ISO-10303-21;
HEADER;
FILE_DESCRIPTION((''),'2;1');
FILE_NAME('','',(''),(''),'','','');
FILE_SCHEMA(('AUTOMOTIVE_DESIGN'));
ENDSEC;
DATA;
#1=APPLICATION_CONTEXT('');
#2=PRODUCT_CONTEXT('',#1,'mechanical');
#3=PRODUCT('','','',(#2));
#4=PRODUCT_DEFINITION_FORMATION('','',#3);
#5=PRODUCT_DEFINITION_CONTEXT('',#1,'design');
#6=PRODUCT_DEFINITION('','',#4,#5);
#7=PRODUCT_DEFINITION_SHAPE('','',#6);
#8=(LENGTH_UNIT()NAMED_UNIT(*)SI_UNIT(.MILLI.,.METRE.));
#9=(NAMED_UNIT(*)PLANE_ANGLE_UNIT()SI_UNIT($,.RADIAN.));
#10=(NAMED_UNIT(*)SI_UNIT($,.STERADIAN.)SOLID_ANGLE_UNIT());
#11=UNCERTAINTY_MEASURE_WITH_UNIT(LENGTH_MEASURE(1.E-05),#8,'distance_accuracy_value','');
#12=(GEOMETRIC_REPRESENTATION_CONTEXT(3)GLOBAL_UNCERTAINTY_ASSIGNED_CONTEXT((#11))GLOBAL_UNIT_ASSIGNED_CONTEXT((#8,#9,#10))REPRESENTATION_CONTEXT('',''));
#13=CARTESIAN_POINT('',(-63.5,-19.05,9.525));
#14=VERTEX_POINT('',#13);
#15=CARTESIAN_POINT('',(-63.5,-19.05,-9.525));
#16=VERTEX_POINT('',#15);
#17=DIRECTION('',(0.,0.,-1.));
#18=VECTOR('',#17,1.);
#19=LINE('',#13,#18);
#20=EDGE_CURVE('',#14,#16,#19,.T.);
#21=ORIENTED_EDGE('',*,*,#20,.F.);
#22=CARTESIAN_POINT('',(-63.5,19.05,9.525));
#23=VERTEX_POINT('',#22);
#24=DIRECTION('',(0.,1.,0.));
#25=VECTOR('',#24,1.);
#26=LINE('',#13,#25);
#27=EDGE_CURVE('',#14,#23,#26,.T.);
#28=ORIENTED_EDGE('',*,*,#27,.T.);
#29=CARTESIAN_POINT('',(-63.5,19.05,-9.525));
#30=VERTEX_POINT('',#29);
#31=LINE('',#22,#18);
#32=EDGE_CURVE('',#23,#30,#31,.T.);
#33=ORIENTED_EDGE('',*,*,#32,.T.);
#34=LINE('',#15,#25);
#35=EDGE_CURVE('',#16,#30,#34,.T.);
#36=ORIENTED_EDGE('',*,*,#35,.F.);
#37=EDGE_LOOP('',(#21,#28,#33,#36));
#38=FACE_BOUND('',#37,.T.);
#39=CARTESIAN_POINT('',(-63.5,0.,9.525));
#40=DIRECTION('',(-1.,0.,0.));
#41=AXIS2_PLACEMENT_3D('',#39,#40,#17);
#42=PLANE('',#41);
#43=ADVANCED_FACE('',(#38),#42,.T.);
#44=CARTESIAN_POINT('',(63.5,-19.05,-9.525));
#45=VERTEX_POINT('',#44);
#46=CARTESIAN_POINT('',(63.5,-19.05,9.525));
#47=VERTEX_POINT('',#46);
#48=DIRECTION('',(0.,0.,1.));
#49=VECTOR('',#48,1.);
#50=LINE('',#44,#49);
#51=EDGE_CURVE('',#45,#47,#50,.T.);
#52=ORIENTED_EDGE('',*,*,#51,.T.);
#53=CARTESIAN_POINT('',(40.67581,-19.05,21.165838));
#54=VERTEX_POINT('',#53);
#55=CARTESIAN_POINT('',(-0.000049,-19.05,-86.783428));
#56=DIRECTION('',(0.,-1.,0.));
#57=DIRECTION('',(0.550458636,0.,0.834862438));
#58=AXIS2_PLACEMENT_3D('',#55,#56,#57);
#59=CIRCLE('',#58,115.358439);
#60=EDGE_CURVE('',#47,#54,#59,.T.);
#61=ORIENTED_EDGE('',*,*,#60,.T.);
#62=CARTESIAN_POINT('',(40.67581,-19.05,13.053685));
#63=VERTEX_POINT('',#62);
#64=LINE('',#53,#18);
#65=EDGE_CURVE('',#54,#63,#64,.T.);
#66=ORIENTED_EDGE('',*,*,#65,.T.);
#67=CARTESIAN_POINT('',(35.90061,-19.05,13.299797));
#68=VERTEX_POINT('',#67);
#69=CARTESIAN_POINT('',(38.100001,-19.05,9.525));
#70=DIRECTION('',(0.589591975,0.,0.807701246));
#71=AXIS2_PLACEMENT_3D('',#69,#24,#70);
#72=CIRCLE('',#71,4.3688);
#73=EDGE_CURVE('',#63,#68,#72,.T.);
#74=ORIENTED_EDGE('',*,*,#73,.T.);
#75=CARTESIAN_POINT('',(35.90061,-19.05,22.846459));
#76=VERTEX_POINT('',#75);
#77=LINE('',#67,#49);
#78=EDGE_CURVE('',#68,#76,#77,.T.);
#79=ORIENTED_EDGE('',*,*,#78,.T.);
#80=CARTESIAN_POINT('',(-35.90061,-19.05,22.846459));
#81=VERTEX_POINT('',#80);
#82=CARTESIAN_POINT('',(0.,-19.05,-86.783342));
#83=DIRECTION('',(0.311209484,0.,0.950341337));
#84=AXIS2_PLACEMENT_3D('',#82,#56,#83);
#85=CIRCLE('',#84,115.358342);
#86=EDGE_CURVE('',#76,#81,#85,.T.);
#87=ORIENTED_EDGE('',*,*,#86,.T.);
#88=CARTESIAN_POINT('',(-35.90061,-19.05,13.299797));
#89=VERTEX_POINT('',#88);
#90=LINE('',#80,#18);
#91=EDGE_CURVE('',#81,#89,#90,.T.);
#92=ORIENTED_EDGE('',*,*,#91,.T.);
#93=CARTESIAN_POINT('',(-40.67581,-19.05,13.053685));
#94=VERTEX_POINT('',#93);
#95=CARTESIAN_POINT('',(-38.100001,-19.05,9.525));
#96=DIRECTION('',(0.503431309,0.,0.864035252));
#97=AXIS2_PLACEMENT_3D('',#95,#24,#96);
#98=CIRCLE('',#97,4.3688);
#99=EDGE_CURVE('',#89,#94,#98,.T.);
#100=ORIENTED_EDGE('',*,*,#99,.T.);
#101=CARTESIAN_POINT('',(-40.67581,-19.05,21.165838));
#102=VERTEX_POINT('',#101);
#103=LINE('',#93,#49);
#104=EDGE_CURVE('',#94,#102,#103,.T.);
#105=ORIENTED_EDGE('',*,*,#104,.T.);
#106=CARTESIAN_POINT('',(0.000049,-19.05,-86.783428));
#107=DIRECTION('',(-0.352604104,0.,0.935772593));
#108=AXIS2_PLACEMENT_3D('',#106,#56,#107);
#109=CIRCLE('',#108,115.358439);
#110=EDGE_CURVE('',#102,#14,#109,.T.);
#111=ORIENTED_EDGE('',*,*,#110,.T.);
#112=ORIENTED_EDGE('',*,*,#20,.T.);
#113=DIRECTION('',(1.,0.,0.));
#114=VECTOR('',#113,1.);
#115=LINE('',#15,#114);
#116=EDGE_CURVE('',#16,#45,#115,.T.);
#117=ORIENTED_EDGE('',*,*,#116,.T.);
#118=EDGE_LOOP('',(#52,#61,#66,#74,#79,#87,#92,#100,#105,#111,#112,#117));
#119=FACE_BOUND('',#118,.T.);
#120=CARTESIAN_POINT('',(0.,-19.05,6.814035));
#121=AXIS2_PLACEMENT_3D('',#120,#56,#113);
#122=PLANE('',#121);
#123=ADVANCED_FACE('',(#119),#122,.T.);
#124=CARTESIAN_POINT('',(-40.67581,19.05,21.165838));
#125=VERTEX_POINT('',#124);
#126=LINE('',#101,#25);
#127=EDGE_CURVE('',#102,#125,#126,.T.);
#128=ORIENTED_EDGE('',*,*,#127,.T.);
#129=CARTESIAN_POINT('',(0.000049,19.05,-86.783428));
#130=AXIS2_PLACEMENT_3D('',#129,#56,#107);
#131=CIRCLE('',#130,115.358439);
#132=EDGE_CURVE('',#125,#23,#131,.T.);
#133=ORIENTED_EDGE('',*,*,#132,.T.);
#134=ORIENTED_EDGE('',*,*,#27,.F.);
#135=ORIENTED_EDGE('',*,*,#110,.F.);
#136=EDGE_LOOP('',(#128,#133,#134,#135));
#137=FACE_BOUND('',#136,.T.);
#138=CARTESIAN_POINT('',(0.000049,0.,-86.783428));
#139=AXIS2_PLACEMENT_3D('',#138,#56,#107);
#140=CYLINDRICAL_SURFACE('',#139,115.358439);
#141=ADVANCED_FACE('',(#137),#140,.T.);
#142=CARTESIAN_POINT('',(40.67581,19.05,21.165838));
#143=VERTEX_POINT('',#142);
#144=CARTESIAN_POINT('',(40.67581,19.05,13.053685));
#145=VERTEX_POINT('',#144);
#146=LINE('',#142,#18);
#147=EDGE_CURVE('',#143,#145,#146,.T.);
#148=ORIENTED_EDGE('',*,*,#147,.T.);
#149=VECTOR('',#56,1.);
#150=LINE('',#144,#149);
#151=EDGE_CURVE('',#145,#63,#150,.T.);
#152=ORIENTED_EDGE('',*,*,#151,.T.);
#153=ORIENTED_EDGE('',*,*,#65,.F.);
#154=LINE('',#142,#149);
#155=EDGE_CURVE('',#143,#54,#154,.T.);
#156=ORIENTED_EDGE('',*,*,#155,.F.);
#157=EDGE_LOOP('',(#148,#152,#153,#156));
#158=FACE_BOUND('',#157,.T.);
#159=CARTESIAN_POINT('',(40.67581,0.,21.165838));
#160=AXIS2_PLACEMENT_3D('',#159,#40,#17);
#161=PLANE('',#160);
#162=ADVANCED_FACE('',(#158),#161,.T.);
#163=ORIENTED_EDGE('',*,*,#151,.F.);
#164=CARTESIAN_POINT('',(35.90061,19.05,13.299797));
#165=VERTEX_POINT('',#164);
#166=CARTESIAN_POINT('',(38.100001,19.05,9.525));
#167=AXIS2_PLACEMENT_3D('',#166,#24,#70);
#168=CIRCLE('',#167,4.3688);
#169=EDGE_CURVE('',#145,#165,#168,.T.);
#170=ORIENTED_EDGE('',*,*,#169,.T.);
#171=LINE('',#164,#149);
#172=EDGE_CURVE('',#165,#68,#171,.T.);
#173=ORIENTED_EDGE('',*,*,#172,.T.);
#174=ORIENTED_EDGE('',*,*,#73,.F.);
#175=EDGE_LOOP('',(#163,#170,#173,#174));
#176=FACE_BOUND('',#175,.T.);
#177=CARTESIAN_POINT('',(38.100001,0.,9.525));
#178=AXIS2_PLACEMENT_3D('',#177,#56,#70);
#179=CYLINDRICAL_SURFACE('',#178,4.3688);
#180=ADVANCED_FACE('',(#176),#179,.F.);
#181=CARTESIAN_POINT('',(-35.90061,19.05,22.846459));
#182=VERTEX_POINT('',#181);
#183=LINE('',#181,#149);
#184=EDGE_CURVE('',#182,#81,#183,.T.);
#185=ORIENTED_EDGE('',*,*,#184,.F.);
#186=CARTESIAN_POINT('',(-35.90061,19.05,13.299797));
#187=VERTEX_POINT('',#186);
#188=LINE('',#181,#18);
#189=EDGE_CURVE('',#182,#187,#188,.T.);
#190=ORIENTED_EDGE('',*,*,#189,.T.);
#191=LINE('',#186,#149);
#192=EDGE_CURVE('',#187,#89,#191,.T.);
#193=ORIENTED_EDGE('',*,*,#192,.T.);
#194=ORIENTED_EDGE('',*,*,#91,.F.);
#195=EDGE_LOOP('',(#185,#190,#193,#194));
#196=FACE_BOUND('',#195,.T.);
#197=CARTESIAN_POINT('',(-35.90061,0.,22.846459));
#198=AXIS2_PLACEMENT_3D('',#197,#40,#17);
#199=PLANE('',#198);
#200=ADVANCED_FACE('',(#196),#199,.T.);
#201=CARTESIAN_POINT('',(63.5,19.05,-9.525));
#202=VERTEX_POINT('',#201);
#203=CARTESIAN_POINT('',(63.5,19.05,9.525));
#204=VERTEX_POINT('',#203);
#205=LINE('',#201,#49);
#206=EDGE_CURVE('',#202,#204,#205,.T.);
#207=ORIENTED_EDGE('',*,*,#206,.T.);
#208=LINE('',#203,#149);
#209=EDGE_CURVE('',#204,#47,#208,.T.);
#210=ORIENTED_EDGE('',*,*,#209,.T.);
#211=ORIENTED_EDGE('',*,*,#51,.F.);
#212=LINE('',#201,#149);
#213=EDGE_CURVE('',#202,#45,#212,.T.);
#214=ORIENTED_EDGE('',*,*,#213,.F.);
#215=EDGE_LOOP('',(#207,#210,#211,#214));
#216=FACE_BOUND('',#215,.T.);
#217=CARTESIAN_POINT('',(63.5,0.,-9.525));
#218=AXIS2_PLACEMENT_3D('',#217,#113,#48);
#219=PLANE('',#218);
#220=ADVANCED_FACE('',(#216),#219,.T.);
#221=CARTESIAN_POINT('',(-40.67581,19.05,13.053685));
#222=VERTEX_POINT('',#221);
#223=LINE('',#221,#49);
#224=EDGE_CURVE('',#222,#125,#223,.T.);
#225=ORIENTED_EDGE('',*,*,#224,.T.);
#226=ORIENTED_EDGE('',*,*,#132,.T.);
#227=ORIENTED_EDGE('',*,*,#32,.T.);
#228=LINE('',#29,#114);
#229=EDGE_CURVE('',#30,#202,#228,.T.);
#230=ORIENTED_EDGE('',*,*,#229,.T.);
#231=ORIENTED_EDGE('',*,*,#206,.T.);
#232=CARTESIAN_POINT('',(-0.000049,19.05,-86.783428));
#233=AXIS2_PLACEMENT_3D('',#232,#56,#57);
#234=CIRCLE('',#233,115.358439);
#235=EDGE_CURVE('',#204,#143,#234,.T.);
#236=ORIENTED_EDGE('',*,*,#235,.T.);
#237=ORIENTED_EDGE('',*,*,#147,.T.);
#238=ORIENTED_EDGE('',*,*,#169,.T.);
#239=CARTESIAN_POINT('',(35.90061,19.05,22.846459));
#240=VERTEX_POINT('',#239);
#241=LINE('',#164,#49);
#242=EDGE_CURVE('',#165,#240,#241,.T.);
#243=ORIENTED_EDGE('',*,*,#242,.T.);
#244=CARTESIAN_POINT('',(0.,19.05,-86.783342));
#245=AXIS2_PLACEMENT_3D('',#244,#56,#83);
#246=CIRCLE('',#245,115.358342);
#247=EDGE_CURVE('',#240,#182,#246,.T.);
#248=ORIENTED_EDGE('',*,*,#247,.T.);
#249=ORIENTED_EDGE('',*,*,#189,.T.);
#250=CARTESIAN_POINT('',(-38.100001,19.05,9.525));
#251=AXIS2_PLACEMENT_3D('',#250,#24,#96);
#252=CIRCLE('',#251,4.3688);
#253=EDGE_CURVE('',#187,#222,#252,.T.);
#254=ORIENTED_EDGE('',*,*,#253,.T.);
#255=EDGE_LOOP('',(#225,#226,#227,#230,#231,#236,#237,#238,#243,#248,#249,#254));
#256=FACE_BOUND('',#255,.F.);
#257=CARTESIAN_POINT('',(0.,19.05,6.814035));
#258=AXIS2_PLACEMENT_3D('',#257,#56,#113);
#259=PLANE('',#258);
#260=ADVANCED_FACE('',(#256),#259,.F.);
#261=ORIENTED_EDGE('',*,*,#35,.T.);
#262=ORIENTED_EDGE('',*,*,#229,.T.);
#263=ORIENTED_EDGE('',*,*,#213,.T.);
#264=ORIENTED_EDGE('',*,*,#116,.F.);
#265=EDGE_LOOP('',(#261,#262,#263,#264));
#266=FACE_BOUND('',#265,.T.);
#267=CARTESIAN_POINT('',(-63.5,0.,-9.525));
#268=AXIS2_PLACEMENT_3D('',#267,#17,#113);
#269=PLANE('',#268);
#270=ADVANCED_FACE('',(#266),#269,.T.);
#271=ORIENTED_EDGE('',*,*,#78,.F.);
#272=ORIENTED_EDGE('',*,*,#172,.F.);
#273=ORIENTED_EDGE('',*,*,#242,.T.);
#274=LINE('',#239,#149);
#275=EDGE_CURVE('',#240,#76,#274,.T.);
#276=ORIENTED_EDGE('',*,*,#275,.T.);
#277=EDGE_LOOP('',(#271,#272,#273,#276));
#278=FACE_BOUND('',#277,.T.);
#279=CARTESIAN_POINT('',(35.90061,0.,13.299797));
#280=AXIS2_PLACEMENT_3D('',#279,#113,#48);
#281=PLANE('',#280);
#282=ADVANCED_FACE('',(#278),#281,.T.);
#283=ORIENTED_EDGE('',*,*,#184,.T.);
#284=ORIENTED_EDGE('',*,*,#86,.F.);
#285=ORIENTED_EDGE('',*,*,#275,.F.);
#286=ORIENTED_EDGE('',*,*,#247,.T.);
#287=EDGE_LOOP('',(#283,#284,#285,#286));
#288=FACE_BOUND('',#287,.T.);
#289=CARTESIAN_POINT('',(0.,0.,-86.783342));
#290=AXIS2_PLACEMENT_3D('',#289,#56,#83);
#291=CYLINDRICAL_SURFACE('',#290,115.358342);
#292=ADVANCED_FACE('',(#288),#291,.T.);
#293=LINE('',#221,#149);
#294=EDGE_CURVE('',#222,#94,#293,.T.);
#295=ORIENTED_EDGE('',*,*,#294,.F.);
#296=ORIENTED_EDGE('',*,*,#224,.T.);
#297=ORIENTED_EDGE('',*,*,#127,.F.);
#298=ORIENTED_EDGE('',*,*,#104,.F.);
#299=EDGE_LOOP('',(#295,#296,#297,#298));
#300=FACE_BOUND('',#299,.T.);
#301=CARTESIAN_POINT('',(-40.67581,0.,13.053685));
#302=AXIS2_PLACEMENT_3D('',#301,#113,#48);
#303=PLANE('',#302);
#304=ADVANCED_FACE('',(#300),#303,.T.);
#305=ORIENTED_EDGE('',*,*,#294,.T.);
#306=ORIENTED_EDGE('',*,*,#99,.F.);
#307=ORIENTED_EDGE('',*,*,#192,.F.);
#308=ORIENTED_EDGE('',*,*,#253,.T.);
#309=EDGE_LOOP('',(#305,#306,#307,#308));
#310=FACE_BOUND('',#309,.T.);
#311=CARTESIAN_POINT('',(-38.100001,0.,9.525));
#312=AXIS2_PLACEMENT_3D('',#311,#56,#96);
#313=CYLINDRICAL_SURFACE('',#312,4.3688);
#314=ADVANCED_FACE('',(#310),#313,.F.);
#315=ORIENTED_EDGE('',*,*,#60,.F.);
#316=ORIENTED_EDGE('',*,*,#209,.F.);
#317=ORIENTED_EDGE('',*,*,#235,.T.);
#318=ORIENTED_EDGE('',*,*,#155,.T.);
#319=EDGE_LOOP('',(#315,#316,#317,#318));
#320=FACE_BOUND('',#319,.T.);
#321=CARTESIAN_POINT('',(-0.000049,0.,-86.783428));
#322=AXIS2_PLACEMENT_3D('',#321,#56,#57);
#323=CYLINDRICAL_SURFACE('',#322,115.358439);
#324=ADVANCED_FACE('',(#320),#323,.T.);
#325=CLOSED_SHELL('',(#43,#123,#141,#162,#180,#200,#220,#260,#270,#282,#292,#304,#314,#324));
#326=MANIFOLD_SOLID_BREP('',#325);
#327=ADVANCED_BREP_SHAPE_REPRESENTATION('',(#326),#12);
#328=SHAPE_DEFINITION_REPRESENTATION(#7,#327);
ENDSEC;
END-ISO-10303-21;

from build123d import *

# Parameters (mm, degrees)
F1_DEPTH = 19.05


with BuildPart() as f1:
    # F0 (on Front) → F1 (new body, symmetric)
    with BuildSketch(Plane.XZ):
        with BuildLine():
            Line((-63.5, -9.525), (63.5, -9.525))
            Line((63.5, -9.525), (63.5, 9.525))
            ThreePointArc((63.5, 9.525), (52.412089, 15.981047), (40.67581, 21.165838))
            Line((40.67581, 21.165838), (40.67581, 13.053685))
            ThreePointArc((40.67581, 13.053685), (37.875132, 5.161991), (35.90061, 13.299797))
            Line((35.90061, 13.299797), (35.90061, 22.846459))
            ThreePointArc((35.90061, 22.846459), (0, 28.575), (-35.90061, 22.846459))
            Line((-35.90061, 22.846459), (-35.90061, 13.299797))
            ThreePointArc((-35.90061, 13.299797), (-37.875132, 5.161991), (-40.67581, 13.053685))
            Line((-40.67581, 13.053685), (-40.67581, 21.165838))
            ThreePointArc((-40.67581, 21.165838), (-52.412089, 15.981047), (-63.5, 9.525))
            Line((-63.5, 9.525), (-63.5, -9.525))
        make_face()
    extrude(amount=F1_DEPTH, both=True)


solid = f1.part
